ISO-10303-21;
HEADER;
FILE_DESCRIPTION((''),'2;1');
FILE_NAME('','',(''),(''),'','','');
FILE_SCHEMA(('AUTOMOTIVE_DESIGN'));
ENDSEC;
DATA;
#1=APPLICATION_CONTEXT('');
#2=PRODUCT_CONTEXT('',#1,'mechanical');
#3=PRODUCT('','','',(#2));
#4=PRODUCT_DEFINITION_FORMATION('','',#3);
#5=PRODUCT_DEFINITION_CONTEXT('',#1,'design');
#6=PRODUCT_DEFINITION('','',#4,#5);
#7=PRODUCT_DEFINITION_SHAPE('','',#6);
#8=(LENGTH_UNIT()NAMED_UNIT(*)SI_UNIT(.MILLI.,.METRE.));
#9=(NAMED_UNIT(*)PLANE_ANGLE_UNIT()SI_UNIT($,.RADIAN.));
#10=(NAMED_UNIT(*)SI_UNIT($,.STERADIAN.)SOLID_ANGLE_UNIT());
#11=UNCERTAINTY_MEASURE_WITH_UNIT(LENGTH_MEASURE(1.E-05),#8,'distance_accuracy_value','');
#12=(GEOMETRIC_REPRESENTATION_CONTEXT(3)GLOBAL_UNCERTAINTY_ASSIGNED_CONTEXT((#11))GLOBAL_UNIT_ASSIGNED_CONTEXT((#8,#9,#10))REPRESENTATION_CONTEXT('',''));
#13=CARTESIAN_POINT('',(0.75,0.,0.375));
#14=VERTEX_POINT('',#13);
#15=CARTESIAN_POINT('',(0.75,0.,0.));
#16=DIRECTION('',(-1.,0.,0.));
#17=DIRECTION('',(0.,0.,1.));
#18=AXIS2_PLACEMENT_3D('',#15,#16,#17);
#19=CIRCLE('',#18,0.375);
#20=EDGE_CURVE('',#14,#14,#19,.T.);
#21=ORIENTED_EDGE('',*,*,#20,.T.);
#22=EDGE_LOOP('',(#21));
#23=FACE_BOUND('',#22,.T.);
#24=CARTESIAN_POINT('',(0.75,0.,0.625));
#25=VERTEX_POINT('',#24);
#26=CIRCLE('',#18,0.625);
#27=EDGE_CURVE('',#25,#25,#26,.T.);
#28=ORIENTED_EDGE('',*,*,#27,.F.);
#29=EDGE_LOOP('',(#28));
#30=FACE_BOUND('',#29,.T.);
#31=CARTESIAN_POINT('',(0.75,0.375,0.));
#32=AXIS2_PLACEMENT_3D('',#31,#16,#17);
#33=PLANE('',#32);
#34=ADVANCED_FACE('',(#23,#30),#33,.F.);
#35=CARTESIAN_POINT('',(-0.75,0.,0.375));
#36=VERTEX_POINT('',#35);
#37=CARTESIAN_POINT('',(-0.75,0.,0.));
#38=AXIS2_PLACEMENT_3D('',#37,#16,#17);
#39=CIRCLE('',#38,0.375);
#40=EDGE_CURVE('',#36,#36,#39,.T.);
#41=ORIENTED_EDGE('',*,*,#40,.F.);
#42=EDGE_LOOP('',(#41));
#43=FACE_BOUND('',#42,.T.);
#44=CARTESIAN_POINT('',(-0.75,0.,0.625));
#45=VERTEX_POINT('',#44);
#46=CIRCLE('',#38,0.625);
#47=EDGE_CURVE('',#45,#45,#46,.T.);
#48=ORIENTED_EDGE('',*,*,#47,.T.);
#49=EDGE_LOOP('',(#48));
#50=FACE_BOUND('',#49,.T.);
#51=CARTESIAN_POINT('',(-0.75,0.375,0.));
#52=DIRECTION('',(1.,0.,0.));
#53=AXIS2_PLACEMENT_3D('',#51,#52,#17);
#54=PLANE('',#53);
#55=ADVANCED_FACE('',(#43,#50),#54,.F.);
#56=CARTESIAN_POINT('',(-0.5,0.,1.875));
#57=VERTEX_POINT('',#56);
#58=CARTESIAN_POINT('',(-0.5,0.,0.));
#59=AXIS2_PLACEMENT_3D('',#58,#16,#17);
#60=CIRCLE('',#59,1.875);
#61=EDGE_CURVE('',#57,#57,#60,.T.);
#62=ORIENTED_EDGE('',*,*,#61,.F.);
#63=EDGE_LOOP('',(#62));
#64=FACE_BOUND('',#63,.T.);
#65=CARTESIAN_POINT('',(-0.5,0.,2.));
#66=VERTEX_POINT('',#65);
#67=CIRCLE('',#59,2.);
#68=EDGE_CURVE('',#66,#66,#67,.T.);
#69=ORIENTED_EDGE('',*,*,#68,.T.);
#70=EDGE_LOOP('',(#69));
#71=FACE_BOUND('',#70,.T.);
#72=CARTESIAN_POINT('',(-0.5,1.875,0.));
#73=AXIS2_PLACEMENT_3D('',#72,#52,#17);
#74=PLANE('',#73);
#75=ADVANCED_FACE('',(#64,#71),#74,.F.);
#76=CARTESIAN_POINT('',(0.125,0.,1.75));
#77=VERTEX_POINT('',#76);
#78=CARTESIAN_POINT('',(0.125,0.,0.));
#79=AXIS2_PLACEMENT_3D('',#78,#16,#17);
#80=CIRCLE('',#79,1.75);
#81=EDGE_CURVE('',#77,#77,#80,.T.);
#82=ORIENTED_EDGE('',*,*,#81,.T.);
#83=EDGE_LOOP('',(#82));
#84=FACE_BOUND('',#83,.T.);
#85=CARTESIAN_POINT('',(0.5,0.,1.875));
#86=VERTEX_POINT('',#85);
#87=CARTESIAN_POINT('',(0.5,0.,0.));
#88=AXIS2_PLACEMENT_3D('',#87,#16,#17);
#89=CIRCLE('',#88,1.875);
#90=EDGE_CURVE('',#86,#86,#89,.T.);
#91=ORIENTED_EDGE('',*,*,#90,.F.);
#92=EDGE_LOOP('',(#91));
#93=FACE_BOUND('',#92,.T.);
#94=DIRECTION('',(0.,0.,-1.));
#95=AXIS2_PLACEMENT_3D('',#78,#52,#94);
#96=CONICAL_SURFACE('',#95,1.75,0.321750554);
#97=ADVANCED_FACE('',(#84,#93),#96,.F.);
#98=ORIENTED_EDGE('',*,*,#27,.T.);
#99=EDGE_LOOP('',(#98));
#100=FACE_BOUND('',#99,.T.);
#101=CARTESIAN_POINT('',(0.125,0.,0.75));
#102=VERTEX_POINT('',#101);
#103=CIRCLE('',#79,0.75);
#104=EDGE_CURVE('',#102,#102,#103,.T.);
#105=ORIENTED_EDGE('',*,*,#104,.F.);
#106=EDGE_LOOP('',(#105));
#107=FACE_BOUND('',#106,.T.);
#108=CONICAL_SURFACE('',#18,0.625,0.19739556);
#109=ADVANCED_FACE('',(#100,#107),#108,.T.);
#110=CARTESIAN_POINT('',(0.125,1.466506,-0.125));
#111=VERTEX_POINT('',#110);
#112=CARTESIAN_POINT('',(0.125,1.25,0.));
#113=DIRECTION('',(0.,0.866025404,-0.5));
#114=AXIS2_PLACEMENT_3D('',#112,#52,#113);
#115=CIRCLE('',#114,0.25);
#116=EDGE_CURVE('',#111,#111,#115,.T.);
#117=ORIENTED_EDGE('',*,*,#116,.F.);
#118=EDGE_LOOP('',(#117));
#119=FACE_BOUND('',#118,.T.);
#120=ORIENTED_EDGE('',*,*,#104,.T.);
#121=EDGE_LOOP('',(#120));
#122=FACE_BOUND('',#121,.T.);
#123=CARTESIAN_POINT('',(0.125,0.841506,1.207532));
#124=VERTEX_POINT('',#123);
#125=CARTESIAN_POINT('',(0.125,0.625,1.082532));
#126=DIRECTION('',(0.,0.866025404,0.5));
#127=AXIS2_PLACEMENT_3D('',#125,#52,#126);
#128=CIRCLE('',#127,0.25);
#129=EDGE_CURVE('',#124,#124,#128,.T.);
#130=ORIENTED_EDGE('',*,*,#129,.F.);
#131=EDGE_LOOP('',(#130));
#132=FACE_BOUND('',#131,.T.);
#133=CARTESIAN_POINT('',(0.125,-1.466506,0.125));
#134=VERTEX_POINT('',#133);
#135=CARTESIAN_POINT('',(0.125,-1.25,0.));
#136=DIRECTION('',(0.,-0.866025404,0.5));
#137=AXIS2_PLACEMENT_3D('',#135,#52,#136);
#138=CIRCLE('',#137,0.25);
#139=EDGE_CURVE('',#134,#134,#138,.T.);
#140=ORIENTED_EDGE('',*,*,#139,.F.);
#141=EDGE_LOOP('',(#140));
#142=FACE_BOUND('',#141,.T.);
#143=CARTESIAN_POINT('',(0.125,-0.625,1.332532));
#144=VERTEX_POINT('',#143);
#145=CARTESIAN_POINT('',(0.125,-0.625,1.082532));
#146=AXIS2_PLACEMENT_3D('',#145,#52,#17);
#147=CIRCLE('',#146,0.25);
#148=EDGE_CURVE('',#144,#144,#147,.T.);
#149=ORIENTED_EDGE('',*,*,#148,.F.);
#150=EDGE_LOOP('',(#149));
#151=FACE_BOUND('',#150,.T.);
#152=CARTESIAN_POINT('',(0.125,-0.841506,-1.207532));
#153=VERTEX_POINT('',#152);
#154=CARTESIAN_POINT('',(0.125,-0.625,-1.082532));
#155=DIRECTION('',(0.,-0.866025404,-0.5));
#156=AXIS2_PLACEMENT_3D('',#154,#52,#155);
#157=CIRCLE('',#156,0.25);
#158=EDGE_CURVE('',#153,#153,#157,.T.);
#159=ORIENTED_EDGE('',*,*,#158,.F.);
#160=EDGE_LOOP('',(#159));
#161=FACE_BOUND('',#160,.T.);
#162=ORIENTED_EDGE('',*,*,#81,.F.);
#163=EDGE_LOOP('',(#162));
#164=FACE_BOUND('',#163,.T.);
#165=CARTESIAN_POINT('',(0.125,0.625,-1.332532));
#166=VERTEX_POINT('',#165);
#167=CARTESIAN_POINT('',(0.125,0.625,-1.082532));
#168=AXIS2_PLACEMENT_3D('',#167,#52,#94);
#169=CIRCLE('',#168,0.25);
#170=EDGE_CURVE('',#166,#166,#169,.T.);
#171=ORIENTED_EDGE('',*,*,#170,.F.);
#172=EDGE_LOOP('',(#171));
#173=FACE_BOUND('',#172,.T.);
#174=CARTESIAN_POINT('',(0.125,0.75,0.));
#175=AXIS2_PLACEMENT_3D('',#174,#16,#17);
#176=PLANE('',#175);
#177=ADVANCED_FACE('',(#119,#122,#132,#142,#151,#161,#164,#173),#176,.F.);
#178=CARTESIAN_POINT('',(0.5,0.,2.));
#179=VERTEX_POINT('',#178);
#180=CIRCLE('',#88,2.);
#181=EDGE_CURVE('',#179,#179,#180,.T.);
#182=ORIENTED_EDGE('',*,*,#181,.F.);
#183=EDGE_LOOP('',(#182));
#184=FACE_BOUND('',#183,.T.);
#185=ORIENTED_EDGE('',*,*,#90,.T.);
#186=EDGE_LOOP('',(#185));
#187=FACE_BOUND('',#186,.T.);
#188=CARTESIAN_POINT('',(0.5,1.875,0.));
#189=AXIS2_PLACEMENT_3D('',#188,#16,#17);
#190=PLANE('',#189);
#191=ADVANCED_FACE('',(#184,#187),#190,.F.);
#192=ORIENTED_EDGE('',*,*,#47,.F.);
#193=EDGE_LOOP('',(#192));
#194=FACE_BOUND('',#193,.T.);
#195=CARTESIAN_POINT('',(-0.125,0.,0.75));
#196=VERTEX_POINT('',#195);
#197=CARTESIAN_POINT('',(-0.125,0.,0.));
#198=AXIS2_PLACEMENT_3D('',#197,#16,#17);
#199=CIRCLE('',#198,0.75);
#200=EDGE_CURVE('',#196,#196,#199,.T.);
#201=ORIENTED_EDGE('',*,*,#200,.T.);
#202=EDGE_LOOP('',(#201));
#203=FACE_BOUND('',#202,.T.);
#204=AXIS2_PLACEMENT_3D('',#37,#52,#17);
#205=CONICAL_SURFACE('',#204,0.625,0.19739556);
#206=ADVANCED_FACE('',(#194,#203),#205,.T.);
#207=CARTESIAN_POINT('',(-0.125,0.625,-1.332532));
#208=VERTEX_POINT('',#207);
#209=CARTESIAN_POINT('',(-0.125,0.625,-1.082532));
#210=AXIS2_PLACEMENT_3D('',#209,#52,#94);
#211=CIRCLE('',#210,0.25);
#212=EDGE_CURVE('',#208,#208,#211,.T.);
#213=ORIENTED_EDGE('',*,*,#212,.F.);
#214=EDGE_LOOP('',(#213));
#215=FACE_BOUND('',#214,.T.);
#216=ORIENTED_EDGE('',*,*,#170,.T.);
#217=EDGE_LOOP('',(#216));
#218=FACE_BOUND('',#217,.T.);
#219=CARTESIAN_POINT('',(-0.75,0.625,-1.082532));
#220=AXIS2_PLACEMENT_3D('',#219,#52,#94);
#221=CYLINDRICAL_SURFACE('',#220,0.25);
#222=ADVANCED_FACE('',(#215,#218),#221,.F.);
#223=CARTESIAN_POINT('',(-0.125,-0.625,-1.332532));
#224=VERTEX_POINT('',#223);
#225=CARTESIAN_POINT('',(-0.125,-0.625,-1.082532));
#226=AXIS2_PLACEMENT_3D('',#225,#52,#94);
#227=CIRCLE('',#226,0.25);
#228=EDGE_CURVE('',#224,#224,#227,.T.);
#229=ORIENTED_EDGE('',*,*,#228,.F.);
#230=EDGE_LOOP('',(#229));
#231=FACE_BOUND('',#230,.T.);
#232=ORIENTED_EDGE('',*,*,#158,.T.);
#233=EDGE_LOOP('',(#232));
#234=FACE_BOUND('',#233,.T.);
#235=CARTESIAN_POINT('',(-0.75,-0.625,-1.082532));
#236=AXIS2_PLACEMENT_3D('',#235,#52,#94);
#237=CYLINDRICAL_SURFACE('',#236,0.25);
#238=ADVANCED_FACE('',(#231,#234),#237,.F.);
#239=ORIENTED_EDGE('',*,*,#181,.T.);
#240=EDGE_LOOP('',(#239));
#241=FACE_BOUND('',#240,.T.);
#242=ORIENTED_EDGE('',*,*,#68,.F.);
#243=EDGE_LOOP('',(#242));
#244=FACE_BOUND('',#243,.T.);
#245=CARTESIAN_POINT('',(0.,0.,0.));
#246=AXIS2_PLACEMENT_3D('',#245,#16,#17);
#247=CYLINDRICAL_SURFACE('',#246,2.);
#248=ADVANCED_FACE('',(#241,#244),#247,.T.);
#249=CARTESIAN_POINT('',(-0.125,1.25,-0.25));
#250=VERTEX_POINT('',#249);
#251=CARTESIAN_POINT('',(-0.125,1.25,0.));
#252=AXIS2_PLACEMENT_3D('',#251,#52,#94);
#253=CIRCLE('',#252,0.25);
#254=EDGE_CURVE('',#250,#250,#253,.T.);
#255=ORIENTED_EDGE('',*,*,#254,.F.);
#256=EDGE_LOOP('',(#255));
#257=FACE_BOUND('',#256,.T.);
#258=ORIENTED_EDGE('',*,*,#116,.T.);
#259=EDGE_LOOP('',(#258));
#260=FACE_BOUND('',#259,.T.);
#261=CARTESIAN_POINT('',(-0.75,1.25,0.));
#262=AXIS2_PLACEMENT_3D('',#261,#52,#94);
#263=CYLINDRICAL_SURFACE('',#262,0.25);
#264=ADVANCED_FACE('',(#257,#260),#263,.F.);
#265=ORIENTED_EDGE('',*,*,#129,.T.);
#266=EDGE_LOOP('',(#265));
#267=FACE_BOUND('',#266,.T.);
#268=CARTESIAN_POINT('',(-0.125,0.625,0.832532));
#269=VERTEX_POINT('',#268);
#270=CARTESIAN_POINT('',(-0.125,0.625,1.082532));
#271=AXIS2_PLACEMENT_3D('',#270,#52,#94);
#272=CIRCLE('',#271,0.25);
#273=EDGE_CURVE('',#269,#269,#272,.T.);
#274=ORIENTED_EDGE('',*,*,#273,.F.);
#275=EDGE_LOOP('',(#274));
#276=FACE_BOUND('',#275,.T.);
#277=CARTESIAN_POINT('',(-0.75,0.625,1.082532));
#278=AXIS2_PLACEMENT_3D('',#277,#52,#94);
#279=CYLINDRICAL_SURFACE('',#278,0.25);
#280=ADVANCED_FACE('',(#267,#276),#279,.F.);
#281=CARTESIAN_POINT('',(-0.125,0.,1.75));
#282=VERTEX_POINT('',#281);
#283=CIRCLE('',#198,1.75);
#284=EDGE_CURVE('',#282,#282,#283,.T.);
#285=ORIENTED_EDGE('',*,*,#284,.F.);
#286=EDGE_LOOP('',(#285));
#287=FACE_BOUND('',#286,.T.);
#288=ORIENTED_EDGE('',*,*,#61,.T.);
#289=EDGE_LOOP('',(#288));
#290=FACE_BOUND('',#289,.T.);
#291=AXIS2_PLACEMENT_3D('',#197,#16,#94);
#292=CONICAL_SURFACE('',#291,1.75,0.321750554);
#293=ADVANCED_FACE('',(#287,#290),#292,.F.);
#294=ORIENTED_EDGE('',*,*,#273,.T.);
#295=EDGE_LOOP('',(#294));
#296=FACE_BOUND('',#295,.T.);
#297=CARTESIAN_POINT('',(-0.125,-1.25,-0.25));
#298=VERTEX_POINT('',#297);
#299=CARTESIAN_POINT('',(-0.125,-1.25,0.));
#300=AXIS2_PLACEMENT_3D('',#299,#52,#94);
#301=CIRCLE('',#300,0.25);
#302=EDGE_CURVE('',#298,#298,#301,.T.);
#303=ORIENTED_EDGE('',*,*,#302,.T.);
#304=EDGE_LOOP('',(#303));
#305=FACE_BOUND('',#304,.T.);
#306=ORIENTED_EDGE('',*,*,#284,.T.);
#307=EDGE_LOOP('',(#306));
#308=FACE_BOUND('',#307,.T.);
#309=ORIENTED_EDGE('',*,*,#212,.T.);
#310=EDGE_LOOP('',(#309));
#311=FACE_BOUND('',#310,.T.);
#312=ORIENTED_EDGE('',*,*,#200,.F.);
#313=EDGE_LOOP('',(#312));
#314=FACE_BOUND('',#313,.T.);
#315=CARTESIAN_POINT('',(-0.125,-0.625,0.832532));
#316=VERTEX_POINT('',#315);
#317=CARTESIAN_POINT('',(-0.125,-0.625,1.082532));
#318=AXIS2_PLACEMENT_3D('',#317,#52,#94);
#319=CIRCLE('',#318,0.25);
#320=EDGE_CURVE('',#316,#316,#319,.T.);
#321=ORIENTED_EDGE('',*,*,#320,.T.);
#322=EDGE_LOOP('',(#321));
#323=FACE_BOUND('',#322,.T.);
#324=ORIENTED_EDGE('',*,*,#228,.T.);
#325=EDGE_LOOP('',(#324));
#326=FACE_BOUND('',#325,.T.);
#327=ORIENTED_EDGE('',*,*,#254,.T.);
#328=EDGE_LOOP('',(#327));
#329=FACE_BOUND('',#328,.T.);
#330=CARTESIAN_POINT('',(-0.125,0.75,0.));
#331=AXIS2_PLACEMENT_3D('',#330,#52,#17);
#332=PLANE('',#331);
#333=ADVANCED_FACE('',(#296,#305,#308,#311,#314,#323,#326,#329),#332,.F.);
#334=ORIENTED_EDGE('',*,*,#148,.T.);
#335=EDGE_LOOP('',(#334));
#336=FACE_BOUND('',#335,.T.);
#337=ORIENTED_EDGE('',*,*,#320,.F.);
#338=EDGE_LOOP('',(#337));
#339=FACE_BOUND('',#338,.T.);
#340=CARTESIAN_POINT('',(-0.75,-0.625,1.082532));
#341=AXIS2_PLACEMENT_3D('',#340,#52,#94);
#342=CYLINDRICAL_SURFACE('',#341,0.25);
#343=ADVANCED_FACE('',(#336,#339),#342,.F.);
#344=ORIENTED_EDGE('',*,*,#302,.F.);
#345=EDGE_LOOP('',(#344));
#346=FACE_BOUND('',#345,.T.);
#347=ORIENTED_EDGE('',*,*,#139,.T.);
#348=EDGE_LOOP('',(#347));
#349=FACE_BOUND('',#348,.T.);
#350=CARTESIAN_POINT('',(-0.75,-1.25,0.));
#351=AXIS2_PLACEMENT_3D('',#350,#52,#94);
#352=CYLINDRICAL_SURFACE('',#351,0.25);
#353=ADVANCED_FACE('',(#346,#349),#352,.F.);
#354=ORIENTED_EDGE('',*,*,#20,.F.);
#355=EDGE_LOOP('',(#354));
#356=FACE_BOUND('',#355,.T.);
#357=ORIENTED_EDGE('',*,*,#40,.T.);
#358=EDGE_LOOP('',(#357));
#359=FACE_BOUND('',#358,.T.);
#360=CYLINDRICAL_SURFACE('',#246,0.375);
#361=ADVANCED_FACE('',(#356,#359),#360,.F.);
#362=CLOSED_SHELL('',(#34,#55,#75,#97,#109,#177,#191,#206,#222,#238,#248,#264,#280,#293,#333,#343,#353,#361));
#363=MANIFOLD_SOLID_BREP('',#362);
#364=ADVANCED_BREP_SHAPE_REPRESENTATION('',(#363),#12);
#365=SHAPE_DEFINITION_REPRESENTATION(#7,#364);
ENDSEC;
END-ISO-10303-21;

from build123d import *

# Parameters (mm, degrees)
SKETCH2_R          = 0.25
CUT_EXTRUDE2_DEPTH = 1.875
CIRPATTERN2_COUNT  = 6


with BuildPart() as part:
    # Sketch1 → Revolve1 (revolve)
    with BuildSketch(Plane.XY):
        Polygon((0, 0.375), (0.75, 0.375), (0.75, 0.625), (0.125, 0.75), (0.125, 1.75), (0.5, 1.875), (0.5, 2), (0, 2), align=None)
    revolve1 = revolve(axis=Axis((0, 0, 0), (1, 0, 0)))

    # Mirror1: Revolve1 across plane
    add(revolve1.mirror(Plane(origin=(0, 2, 0), x_dir=(0, 0, 1), z_dir=(1, 0, 0))))

    # Sketch2 → Cut-Extrude2 (cut, through all)
    with BuildSketch(Plane(origin=(0.125, 0, 0), x_dir=(0, 0, -1), z_dir=(1, 0, 0))):
        with Locations((1.082531755, 0.625)):
            Circle(SKETCH2_R)
    cut_extrude2 = extrude(amount=-CUT_EXTRUDE2_DEPTH, mode=Mode.SUBTRACT)

    # CirPattern2: Cut-Extrude2 ×6 about axis
    cirpattern2_axis = Axis((0, 0, 0), (1, 0, 0))
    for i in range(1, CIRPATTERN2_COUNT):
        add(cut_extrude2.rotate(cirpattern2_axis, i * 360 / CIRPATTERN2_COUNT), mode=Mode.SUBTRACT)


solid = part.part
